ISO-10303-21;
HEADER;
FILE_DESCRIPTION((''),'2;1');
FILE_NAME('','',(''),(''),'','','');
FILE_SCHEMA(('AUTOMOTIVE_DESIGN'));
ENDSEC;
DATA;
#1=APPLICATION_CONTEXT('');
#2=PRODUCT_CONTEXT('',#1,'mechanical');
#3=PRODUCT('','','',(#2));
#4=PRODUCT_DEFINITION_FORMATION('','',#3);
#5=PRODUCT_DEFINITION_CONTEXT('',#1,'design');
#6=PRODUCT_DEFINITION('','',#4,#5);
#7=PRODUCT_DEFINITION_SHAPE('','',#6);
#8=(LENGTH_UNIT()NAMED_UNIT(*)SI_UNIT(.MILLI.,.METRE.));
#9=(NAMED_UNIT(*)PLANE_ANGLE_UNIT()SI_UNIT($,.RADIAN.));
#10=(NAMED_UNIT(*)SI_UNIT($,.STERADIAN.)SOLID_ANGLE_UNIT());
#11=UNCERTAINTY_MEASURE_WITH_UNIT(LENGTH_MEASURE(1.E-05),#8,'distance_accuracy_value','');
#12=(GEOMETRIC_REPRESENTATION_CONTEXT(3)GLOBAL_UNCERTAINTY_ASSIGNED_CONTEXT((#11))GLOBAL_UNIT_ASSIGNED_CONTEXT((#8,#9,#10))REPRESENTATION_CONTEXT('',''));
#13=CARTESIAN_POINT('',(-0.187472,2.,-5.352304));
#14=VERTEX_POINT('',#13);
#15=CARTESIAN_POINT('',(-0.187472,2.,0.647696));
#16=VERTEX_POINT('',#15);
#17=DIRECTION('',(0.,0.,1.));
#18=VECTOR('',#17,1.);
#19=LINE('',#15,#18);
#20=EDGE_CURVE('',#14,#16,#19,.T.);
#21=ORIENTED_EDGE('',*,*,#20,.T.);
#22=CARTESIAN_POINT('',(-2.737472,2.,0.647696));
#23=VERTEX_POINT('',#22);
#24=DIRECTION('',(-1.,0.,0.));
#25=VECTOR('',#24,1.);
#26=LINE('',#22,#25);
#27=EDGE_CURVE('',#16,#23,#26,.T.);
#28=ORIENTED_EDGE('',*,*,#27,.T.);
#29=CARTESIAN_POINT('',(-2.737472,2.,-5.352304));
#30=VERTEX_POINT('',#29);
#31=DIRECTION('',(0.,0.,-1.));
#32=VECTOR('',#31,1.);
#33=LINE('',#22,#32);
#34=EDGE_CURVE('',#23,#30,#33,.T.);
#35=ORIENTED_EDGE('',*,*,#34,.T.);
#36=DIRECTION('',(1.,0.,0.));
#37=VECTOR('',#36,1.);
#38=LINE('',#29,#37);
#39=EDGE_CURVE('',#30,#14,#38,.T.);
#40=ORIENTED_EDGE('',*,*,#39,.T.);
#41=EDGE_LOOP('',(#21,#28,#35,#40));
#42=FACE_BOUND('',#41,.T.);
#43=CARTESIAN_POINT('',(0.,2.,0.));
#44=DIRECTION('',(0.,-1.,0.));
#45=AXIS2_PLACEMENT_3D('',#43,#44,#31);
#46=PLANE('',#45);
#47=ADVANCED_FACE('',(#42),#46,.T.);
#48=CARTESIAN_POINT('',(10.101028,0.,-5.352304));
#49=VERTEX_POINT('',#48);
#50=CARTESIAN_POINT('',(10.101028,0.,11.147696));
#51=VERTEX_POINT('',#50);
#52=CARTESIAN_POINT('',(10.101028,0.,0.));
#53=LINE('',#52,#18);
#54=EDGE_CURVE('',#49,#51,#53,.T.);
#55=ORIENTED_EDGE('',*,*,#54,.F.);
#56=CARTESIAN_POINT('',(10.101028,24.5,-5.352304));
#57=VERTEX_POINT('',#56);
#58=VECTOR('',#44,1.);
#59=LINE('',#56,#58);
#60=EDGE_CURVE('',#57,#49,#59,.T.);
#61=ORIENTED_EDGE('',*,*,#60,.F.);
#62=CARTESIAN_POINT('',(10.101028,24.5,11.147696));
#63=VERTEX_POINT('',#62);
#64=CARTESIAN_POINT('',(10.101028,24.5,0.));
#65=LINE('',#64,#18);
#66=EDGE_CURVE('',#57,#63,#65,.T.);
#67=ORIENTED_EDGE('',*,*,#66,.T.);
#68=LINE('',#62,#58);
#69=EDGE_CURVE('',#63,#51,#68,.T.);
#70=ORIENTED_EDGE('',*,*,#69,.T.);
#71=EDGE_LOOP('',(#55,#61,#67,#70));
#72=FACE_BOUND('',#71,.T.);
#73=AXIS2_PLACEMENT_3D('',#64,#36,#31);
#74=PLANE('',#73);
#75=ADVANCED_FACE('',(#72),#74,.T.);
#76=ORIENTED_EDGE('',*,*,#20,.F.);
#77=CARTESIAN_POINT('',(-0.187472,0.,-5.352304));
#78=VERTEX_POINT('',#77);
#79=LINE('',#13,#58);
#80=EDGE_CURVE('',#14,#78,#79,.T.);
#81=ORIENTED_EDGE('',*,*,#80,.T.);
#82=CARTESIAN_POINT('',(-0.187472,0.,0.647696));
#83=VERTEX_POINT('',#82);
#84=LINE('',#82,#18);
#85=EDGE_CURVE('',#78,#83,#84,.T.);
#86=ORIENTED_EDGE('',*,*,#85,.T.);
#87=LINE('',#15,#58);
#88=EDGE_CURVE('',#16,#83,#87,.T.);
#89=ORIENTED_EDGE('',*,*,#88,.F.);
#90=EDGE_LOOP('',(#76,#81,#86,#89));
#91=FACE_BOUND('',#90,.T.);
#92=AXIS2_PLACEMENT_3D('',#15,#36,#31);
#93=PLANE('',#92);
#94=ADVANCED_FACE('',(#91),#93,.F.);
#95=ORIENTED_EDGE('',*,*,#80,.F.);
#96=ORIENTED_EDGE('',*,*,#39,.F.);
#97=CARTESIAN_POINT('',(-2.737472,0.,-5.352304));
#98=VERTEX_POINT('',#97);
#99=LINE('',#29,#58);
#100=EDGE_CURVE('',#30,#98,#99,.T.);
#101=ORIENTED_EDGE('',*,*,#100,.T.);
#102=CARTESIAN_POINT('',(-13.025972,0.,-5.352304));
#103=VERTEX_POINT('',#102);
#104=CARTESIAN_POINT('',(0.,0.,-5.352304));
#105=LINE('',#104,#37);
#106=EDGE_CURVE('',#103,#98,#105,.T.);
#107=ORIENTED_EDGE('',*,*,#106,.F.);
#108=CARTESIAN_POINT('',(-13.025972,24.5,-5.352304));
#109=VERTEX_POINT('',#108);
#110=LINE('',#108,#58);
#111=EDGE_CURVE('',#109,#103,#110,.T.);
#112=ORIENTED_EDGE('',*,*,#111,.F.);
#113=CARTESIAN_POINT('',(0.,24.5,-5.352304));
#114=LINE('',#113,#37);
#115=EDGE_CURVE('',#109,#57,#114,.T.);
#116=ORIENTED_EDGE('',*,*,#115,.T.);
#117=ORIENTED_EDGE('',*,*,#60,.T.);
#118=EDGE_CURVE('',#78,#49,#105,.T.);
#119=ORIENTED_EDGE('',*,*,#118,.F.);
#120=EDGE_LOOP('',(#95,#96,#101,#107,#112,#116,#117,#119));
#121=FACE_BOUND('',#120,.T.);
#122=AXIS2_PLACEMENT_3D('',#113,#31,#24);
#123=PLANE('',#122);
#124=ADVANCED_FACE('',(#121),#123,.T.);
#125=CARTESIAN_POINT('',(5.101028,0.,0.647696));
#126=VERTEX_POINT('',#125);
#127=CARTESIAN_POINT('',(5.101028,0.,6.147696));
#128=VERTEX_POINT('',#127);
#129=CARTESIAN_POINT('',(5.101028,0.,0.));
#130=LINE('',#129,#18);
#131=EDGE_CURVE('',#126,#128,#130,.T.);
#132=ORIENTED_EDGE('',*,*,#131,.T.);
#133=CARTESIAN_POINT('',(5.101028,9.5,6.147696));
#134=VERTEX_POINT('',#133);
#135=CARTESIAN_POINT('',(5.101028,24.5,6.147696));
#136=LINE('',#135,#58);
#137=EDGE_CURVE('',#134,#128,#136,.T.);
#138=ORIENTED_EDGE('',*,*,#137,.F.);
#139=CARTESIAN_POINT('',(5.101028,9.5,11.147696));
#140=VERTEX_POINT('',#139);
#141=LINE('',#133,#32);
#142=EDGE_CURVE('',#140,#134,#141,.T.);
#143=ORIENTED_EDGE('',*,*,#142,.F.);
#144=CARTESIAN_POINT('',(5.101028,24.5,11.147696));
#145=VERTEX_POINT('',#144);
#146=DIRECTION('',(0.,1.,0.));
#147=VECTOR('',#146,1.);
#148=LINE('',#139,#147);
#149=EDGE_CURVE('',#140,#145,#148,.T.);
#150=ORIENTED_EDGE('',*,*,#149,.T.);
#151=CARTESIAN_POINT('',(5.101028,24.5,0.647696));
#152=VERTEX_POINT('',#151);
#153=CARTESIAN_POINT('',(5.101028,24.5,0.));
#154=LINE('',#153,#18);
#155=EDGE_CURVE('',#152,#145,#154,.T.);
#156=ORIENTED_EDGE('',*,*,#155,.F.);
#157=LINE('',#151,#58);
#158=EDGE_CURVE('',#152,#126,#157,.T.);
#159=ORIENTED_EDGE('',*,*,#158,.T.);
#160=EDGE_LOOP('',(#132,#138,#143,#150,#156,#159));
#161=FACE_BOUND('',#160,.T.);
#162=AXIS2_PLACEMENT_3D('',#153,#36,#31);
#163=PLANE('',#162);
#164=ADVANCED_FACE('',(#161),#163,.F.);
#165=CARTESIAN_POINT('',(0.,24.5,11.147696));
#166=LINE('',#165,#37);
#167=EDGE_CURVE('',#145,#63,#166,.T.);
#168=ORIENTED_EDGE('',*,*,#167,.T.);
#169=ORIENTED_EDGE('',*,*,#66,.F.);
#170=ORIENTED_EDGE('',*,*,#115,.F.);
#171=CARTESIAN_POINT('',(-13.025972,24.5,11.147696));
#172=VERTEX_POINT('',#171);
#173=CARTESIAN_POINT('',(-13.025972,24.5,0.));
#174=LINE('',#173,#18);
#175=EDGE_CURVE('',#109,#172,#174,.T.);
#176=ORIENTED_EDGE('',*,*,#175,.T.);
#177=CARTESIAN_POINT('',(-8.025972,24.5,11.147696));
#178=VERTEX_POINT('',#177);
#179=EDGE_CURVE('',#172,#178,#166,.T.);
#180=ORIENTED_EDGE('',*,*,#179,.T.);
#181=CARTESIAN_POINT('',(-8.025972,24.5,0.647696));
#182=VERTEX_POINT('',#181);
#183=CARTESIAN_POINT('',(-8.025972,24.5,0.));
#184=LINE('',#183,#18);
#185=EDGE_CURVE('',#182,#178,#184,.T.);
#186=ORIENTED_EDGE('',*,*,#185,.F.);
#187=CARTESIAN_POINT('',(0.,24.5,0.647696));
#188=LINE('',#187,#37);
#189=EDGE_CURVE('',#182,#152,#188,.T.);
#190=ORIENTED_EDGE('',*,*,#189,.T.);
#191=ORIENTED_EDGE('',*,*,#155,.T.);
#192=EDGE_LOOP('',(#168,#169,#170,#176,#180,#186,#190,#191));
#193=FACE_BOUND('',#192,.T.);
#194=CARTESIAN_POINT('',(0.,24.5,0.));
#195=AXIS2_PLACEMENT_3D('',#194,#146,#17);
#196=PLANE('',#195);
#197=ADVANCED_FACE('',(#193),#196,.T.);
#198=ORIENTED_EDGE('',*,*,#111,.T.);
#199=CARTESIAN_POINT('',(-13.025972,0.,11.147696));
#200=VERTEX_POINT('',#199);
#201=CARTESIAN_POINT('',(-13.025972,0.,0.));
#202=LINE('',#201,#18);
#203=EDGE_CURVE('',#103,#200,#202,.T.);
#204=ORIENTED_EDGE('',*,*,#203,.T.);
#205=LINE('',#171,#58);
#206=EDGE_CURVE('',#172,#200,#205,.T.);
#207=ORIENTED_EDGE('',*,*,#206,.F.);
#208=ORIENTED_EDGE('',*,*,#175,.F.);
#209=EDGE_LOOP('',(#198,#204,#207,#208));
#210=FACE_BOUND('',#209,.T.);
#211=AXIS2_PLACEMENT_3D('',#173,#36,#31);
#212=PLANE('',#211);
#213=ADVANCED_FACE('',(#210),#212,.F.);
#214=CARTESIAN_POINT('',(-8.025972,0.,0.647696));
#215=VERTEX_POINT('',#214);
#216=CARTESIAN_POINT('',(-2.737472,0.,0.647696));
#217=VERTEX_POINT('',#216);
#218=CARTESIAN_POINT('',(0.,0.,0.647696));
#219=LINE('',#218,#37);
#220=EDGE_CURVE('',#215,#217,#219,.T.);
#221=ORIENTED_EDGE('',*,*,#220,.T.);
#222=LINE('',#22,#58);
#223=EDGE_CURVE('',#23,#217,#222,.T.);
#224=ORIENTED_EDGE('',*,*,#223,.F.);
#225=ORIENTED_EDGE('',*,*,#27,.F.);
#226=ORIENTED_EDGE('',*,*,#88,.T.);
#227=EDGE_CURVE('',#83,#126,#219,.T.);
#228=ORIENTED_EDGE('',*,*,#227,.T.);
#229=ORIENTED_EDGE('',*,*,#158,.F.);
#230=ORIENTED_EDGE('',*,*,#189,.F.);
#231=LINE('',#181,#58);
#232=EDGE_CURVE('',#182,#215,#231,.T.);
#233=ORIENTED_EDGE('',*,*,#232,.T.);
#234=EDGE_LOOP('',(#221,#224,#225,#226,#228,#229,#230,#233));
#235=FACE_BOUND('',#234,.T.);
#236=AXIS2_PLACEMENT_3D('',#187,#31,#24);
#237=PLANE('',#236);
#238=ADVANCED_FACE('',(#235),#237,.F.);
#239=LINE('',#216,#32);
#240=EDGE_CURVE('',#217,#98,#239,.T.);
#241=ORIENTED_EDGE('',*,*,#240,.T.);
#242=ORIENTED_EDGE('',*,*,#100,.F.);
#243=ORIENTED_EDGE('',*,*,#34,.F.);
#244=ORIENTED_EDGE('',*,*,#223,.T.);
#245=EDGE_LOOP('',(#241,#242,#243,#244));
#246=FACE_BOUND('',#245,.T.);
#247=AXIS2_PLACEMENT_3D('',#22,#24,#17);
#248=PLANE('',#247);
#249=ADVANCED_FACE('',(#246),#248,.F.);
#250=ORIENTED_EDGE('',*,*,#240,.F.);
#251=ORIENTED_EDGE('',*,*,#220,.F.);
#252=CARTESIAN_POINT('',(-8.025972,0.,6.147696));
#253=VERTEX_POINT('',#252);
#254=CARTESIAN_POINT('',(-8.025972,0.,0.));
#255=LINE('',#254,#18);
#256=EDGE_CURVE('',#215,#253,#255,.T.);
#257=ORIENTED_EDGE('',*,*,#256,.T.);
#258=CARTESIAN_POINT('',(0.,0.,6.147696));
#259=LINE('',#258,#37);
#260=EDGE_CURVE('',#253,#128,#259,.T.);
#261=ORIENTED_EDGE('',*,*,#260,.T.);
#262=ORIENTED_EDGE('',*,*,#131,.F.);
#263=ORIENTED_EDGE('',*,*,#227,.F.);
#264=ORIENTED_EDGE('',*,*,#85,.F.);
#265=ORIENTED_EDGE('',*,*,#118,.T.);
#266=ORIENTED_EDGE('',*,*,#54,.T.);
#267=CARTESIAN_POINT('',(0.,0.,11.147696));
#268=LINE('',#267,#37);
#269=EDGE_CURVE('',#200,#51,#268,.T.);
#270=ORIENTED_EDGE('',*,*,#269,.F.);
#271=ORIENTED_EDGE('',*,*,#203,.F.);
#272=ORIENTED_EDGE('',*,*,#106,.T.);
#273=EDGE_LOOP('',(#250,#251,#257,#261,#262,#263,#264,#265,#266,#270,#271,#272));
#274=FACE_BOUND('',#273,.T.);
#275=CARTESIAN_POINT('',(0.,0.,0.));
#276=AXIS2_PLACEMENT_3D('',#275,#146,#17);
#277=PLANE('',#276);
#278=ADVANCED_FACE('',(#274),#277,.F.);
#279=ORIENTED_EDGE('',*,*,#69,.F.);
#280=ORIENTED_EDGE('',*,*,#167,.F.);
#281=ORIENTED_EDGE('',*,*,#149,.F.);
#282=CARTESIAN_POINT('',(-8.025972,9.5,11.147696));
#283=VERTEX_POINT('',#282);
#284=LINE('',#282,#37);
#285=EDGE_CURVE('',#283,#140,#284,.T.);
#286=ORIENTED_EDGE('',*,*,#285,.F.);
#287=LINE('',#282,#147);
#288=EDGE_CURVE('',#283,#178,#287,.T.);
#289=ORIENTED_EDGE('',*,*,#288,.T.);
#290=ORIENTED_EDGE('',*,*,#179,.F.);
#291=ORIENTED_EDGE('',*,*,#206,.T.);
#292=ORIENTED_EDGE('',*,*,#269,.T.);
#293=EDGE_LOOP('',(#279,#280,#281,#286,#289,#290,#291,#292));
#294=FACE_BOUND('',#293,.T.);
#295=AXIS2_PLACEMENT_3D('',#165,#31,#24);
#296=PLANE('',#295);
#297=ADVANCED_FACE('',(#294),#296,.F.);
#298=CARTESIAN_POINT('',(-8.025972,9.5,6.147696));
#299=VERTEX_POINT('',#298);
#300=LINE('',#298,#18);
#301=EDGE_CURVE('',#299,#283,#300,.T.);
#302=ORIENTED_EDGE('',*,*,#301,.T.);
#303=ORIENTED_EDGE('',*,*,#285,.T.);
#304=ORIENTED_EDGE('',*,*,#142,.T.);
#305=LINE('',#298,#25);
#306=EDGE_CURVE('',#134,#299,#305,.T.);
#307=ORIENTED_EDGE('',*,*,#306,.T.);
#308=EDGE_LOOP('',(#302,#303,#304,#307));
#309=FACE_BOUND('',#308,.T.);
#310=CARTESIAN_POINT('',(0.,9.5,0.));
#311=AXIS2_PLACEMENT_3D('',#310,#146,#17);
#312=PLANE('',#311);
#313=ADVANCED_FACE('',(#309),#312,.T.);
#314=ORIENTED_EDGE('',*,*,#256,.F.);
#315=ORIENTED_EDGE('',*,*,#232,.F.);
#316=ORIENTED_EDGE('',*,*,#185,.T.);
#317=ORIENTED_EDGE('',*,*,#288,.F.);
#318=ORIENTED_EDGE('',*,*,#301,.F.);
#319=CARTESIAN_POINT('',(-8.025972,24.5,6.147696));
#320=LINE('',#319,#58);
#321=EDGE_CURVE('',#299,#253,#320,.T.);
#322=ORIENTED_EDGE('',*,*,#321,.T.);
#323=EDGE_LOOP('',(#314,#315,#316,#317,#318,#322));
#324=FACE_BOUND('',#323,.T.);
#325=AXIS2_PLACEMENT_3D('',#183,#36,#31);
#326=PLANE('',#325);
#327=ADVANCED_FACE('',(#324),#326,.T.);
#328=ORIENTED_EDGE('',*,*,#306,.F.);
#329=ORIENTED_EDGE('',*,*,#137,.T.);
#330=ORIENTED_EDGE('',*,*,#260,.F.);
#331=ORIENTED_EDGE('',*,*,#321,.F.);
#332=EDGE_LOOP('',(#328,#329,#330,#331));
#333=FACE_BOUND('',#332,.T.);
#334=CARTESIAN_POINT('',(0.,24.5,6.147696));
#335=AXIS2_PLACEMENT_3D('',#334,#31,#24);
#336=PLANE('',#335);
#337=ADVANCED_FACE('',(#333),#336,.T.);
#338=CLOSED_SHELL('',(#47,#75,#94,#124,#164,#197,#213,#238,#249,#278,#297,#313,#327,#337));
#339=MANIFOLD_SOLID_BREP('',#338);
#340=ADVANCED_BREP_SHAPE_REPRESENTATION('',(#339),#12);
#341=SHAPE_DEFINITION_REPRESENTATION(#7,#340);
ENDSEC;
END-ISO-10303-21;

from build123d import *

# Parameters (mm, degrees)
SKETCH1_W           = 23.127
SKETCH1_H           = 16.5
SKETCH1_W_2         = 13.127
SKETCH1_H_2         = 5.5
SKETCH1_W_3         = 2.55
SKETCH1_H_3         = 6
BOSS_EXTRUDE1_DEPTH = 24.5
SKETCH2_W           = 2.55
SKETCH2_H           = 6
CUT_EXTRUDE1_DEPTH  = 2
SKETCH3_W           = 13.127
SKETCH3_H           = 5
CUT_EXTRUDE2_DEPTH  = 15


with BuildPart() as part:
    # Sketch1 → Boss-Extrude1 (new body)
    # profile 1 of 2: a face of its own
    with BuildSketch(Plane(origin=(0, 0, 0), x_dir=(1, 0, 0), z_dir=(0, 1, 0))):
        with Locations((-1.462471661, -2.897695951)):
            Rectangle(SKETCH1_W, SKETCH1_H)
        with Locations((-1.462471661, -3.397695951)):
            Rectangle(SKETCH1_W_2, SKETCH1_H_2, mode=Mode.SUBTRACT)
    # profile 2 of 2: a face of its own
    with BuildSketch(Plane(origin=(0, 0, 0), x_dir=(1, 0, 0), z_dir=(0, 1, 0))):
        with Locations((-1.462471661, 2.352304049)):
            Rectangle(SKETCH1_W_3, SKETCH1_H_3)
    extrude(amount=BOSS_EXTRUDE1_DEPTH)

    # Sketch2 → Cut-Extrude1 (cut)
    with BuildSketch(Plane.XZ):
        with Locations((-1.462471661, -2.352304049)):
            Rectangle(SKETCH2_W, SKETCH2_H)
    extrude(amount=-CUT_EXTRUDE1_DEPTH, mode=Mode.SUBTRACT)

    # Sketch3 → Cut-Extrude2 (cut)
    with BuildSketch(Plane(origin=(0, 24.5, 0), x_dir=(1, 0, 0), z_dir=(0, 1, 0))):
        with Locations((-1.462471661, -8.647695951)):
            Rectangle(SKETCH3_W, SKETCH3_H)
    extrude(amount=-CUT_EXTRUDE2_DEPTH, mode=Mode.SUBTRACT)


solid = part.part
